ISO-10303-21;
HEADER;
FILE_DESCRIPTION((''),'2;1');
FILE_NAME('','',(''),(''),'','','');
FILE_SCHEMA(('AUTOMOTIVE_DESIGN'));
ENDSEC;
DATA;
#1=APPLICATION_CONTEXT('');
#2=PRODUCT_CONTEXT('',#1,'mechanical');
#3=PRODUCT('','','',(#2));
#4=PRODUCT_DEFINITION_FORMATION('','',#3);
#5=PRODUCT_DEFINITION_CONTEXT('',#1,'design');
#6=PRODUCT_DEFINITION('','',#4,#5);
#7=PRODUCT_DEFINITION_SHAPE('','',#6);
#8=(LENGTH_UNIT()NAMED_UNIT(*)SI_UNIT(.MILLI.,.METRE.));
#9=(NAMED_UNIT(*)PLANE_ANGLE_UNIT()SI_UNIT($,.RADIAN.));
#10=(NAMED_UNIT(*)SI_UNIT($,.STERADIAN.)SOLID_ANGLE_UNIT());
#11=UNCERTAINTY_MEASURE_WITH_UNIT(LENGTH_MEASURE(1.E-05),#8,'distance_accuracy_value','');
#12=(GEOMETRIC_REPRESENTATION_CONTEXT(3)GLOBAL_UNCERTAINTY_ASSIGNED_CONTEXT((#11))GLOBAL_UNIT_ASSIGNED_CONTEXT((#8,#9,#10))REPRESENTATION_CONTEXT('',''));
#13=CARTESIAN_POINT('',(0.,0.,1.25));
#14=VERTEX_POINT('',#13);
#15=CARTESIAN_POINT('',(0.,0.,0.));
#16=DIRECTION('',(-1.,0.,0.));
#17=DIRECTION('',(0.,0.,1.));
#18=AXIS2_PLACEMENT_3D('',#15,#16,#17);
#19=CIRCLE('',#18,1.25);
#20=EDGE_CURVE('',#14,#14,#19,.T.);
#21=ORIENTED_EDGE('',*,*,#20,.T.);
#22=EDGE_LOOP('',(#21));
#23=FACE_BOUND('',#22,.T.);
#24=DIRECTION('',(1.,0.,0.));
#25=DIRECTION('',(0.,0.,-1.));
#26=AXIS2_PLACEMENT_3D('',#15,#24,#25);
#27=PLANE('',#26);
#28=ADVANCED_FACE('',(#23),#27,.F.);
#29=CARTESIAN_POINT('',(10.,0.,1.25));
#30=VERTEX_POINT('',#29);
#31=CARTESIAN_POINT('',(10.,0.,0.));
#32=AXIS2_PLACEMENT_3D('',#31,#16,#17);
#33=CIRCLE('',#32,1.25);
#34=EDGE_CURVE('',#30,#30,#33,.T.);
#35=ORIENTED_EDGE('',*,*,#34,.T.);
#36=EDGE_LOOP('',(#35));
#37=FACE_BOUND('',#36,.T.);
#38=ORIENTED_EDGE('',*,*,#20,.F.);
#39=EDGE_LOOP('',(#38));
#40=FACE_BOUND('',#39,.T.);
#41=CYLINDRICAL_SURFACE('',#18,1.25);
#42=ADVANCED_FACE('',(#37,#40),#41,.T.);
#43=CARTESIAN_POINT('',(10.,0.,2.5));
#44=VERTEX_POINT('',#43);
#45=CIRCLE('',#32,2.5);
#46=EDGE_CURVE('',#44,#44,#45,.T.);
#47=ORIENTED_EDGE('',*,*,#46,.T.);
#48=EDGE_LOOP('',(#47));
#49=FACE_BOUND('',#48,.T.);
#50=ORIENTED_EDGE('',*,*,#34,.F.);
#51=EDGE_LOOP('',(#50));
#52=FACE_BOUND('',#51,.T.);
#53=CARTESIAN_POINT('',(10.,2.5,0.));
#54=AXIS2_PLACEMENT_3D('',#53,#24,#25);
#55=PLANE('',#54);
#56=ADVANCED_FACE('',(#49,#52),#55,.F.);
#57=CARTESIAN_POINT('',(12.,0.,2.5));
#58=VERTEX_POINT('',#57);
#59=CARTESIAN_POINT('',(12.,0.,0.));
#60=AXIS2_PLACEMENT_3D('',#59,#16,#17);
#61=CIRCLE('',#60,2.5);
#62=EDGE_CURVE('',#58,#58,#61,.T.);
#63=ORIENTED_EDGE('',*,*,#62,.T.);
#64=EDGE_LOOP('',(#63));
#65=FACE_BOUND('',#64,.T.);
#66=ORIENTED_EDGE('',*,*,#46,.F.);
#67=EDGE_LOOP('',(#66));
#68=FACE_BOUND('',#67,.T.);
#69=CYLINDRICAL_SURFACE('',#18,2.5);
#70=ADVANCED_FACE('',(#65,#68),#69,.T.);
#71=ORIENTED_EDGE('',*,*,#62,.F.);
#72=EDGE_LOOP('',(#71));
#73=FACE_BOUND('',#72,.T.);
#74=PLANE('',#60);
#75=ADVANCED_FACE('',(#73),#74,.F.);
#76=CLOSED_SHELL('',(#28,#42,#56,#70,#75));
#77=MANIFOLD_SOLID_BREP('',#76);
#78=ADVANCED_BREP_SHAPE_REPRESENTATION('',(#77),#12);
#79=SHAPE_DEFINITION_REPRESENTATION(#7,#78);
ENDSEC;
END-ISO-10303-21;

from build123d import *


with BuildPart() as part:
    # Skica1 → Rotovat3 (revolve)
    with BuildSketch(Plane.XY, mode=Mode.PRIVATE) as rotovat3_sk:
        Polygon((12, 2.5), (10, 2.5), (10, 1.25), (0, 1.25), (0, 0), (12, 0), align=None)
    revolve(rotovat3_sk.sketch.rotate(Axis((0, 0, 0), (1, 0, 0)), 90), axis=Axis((0, 0, 0), (1, 0, 0)))


solid = part.part
